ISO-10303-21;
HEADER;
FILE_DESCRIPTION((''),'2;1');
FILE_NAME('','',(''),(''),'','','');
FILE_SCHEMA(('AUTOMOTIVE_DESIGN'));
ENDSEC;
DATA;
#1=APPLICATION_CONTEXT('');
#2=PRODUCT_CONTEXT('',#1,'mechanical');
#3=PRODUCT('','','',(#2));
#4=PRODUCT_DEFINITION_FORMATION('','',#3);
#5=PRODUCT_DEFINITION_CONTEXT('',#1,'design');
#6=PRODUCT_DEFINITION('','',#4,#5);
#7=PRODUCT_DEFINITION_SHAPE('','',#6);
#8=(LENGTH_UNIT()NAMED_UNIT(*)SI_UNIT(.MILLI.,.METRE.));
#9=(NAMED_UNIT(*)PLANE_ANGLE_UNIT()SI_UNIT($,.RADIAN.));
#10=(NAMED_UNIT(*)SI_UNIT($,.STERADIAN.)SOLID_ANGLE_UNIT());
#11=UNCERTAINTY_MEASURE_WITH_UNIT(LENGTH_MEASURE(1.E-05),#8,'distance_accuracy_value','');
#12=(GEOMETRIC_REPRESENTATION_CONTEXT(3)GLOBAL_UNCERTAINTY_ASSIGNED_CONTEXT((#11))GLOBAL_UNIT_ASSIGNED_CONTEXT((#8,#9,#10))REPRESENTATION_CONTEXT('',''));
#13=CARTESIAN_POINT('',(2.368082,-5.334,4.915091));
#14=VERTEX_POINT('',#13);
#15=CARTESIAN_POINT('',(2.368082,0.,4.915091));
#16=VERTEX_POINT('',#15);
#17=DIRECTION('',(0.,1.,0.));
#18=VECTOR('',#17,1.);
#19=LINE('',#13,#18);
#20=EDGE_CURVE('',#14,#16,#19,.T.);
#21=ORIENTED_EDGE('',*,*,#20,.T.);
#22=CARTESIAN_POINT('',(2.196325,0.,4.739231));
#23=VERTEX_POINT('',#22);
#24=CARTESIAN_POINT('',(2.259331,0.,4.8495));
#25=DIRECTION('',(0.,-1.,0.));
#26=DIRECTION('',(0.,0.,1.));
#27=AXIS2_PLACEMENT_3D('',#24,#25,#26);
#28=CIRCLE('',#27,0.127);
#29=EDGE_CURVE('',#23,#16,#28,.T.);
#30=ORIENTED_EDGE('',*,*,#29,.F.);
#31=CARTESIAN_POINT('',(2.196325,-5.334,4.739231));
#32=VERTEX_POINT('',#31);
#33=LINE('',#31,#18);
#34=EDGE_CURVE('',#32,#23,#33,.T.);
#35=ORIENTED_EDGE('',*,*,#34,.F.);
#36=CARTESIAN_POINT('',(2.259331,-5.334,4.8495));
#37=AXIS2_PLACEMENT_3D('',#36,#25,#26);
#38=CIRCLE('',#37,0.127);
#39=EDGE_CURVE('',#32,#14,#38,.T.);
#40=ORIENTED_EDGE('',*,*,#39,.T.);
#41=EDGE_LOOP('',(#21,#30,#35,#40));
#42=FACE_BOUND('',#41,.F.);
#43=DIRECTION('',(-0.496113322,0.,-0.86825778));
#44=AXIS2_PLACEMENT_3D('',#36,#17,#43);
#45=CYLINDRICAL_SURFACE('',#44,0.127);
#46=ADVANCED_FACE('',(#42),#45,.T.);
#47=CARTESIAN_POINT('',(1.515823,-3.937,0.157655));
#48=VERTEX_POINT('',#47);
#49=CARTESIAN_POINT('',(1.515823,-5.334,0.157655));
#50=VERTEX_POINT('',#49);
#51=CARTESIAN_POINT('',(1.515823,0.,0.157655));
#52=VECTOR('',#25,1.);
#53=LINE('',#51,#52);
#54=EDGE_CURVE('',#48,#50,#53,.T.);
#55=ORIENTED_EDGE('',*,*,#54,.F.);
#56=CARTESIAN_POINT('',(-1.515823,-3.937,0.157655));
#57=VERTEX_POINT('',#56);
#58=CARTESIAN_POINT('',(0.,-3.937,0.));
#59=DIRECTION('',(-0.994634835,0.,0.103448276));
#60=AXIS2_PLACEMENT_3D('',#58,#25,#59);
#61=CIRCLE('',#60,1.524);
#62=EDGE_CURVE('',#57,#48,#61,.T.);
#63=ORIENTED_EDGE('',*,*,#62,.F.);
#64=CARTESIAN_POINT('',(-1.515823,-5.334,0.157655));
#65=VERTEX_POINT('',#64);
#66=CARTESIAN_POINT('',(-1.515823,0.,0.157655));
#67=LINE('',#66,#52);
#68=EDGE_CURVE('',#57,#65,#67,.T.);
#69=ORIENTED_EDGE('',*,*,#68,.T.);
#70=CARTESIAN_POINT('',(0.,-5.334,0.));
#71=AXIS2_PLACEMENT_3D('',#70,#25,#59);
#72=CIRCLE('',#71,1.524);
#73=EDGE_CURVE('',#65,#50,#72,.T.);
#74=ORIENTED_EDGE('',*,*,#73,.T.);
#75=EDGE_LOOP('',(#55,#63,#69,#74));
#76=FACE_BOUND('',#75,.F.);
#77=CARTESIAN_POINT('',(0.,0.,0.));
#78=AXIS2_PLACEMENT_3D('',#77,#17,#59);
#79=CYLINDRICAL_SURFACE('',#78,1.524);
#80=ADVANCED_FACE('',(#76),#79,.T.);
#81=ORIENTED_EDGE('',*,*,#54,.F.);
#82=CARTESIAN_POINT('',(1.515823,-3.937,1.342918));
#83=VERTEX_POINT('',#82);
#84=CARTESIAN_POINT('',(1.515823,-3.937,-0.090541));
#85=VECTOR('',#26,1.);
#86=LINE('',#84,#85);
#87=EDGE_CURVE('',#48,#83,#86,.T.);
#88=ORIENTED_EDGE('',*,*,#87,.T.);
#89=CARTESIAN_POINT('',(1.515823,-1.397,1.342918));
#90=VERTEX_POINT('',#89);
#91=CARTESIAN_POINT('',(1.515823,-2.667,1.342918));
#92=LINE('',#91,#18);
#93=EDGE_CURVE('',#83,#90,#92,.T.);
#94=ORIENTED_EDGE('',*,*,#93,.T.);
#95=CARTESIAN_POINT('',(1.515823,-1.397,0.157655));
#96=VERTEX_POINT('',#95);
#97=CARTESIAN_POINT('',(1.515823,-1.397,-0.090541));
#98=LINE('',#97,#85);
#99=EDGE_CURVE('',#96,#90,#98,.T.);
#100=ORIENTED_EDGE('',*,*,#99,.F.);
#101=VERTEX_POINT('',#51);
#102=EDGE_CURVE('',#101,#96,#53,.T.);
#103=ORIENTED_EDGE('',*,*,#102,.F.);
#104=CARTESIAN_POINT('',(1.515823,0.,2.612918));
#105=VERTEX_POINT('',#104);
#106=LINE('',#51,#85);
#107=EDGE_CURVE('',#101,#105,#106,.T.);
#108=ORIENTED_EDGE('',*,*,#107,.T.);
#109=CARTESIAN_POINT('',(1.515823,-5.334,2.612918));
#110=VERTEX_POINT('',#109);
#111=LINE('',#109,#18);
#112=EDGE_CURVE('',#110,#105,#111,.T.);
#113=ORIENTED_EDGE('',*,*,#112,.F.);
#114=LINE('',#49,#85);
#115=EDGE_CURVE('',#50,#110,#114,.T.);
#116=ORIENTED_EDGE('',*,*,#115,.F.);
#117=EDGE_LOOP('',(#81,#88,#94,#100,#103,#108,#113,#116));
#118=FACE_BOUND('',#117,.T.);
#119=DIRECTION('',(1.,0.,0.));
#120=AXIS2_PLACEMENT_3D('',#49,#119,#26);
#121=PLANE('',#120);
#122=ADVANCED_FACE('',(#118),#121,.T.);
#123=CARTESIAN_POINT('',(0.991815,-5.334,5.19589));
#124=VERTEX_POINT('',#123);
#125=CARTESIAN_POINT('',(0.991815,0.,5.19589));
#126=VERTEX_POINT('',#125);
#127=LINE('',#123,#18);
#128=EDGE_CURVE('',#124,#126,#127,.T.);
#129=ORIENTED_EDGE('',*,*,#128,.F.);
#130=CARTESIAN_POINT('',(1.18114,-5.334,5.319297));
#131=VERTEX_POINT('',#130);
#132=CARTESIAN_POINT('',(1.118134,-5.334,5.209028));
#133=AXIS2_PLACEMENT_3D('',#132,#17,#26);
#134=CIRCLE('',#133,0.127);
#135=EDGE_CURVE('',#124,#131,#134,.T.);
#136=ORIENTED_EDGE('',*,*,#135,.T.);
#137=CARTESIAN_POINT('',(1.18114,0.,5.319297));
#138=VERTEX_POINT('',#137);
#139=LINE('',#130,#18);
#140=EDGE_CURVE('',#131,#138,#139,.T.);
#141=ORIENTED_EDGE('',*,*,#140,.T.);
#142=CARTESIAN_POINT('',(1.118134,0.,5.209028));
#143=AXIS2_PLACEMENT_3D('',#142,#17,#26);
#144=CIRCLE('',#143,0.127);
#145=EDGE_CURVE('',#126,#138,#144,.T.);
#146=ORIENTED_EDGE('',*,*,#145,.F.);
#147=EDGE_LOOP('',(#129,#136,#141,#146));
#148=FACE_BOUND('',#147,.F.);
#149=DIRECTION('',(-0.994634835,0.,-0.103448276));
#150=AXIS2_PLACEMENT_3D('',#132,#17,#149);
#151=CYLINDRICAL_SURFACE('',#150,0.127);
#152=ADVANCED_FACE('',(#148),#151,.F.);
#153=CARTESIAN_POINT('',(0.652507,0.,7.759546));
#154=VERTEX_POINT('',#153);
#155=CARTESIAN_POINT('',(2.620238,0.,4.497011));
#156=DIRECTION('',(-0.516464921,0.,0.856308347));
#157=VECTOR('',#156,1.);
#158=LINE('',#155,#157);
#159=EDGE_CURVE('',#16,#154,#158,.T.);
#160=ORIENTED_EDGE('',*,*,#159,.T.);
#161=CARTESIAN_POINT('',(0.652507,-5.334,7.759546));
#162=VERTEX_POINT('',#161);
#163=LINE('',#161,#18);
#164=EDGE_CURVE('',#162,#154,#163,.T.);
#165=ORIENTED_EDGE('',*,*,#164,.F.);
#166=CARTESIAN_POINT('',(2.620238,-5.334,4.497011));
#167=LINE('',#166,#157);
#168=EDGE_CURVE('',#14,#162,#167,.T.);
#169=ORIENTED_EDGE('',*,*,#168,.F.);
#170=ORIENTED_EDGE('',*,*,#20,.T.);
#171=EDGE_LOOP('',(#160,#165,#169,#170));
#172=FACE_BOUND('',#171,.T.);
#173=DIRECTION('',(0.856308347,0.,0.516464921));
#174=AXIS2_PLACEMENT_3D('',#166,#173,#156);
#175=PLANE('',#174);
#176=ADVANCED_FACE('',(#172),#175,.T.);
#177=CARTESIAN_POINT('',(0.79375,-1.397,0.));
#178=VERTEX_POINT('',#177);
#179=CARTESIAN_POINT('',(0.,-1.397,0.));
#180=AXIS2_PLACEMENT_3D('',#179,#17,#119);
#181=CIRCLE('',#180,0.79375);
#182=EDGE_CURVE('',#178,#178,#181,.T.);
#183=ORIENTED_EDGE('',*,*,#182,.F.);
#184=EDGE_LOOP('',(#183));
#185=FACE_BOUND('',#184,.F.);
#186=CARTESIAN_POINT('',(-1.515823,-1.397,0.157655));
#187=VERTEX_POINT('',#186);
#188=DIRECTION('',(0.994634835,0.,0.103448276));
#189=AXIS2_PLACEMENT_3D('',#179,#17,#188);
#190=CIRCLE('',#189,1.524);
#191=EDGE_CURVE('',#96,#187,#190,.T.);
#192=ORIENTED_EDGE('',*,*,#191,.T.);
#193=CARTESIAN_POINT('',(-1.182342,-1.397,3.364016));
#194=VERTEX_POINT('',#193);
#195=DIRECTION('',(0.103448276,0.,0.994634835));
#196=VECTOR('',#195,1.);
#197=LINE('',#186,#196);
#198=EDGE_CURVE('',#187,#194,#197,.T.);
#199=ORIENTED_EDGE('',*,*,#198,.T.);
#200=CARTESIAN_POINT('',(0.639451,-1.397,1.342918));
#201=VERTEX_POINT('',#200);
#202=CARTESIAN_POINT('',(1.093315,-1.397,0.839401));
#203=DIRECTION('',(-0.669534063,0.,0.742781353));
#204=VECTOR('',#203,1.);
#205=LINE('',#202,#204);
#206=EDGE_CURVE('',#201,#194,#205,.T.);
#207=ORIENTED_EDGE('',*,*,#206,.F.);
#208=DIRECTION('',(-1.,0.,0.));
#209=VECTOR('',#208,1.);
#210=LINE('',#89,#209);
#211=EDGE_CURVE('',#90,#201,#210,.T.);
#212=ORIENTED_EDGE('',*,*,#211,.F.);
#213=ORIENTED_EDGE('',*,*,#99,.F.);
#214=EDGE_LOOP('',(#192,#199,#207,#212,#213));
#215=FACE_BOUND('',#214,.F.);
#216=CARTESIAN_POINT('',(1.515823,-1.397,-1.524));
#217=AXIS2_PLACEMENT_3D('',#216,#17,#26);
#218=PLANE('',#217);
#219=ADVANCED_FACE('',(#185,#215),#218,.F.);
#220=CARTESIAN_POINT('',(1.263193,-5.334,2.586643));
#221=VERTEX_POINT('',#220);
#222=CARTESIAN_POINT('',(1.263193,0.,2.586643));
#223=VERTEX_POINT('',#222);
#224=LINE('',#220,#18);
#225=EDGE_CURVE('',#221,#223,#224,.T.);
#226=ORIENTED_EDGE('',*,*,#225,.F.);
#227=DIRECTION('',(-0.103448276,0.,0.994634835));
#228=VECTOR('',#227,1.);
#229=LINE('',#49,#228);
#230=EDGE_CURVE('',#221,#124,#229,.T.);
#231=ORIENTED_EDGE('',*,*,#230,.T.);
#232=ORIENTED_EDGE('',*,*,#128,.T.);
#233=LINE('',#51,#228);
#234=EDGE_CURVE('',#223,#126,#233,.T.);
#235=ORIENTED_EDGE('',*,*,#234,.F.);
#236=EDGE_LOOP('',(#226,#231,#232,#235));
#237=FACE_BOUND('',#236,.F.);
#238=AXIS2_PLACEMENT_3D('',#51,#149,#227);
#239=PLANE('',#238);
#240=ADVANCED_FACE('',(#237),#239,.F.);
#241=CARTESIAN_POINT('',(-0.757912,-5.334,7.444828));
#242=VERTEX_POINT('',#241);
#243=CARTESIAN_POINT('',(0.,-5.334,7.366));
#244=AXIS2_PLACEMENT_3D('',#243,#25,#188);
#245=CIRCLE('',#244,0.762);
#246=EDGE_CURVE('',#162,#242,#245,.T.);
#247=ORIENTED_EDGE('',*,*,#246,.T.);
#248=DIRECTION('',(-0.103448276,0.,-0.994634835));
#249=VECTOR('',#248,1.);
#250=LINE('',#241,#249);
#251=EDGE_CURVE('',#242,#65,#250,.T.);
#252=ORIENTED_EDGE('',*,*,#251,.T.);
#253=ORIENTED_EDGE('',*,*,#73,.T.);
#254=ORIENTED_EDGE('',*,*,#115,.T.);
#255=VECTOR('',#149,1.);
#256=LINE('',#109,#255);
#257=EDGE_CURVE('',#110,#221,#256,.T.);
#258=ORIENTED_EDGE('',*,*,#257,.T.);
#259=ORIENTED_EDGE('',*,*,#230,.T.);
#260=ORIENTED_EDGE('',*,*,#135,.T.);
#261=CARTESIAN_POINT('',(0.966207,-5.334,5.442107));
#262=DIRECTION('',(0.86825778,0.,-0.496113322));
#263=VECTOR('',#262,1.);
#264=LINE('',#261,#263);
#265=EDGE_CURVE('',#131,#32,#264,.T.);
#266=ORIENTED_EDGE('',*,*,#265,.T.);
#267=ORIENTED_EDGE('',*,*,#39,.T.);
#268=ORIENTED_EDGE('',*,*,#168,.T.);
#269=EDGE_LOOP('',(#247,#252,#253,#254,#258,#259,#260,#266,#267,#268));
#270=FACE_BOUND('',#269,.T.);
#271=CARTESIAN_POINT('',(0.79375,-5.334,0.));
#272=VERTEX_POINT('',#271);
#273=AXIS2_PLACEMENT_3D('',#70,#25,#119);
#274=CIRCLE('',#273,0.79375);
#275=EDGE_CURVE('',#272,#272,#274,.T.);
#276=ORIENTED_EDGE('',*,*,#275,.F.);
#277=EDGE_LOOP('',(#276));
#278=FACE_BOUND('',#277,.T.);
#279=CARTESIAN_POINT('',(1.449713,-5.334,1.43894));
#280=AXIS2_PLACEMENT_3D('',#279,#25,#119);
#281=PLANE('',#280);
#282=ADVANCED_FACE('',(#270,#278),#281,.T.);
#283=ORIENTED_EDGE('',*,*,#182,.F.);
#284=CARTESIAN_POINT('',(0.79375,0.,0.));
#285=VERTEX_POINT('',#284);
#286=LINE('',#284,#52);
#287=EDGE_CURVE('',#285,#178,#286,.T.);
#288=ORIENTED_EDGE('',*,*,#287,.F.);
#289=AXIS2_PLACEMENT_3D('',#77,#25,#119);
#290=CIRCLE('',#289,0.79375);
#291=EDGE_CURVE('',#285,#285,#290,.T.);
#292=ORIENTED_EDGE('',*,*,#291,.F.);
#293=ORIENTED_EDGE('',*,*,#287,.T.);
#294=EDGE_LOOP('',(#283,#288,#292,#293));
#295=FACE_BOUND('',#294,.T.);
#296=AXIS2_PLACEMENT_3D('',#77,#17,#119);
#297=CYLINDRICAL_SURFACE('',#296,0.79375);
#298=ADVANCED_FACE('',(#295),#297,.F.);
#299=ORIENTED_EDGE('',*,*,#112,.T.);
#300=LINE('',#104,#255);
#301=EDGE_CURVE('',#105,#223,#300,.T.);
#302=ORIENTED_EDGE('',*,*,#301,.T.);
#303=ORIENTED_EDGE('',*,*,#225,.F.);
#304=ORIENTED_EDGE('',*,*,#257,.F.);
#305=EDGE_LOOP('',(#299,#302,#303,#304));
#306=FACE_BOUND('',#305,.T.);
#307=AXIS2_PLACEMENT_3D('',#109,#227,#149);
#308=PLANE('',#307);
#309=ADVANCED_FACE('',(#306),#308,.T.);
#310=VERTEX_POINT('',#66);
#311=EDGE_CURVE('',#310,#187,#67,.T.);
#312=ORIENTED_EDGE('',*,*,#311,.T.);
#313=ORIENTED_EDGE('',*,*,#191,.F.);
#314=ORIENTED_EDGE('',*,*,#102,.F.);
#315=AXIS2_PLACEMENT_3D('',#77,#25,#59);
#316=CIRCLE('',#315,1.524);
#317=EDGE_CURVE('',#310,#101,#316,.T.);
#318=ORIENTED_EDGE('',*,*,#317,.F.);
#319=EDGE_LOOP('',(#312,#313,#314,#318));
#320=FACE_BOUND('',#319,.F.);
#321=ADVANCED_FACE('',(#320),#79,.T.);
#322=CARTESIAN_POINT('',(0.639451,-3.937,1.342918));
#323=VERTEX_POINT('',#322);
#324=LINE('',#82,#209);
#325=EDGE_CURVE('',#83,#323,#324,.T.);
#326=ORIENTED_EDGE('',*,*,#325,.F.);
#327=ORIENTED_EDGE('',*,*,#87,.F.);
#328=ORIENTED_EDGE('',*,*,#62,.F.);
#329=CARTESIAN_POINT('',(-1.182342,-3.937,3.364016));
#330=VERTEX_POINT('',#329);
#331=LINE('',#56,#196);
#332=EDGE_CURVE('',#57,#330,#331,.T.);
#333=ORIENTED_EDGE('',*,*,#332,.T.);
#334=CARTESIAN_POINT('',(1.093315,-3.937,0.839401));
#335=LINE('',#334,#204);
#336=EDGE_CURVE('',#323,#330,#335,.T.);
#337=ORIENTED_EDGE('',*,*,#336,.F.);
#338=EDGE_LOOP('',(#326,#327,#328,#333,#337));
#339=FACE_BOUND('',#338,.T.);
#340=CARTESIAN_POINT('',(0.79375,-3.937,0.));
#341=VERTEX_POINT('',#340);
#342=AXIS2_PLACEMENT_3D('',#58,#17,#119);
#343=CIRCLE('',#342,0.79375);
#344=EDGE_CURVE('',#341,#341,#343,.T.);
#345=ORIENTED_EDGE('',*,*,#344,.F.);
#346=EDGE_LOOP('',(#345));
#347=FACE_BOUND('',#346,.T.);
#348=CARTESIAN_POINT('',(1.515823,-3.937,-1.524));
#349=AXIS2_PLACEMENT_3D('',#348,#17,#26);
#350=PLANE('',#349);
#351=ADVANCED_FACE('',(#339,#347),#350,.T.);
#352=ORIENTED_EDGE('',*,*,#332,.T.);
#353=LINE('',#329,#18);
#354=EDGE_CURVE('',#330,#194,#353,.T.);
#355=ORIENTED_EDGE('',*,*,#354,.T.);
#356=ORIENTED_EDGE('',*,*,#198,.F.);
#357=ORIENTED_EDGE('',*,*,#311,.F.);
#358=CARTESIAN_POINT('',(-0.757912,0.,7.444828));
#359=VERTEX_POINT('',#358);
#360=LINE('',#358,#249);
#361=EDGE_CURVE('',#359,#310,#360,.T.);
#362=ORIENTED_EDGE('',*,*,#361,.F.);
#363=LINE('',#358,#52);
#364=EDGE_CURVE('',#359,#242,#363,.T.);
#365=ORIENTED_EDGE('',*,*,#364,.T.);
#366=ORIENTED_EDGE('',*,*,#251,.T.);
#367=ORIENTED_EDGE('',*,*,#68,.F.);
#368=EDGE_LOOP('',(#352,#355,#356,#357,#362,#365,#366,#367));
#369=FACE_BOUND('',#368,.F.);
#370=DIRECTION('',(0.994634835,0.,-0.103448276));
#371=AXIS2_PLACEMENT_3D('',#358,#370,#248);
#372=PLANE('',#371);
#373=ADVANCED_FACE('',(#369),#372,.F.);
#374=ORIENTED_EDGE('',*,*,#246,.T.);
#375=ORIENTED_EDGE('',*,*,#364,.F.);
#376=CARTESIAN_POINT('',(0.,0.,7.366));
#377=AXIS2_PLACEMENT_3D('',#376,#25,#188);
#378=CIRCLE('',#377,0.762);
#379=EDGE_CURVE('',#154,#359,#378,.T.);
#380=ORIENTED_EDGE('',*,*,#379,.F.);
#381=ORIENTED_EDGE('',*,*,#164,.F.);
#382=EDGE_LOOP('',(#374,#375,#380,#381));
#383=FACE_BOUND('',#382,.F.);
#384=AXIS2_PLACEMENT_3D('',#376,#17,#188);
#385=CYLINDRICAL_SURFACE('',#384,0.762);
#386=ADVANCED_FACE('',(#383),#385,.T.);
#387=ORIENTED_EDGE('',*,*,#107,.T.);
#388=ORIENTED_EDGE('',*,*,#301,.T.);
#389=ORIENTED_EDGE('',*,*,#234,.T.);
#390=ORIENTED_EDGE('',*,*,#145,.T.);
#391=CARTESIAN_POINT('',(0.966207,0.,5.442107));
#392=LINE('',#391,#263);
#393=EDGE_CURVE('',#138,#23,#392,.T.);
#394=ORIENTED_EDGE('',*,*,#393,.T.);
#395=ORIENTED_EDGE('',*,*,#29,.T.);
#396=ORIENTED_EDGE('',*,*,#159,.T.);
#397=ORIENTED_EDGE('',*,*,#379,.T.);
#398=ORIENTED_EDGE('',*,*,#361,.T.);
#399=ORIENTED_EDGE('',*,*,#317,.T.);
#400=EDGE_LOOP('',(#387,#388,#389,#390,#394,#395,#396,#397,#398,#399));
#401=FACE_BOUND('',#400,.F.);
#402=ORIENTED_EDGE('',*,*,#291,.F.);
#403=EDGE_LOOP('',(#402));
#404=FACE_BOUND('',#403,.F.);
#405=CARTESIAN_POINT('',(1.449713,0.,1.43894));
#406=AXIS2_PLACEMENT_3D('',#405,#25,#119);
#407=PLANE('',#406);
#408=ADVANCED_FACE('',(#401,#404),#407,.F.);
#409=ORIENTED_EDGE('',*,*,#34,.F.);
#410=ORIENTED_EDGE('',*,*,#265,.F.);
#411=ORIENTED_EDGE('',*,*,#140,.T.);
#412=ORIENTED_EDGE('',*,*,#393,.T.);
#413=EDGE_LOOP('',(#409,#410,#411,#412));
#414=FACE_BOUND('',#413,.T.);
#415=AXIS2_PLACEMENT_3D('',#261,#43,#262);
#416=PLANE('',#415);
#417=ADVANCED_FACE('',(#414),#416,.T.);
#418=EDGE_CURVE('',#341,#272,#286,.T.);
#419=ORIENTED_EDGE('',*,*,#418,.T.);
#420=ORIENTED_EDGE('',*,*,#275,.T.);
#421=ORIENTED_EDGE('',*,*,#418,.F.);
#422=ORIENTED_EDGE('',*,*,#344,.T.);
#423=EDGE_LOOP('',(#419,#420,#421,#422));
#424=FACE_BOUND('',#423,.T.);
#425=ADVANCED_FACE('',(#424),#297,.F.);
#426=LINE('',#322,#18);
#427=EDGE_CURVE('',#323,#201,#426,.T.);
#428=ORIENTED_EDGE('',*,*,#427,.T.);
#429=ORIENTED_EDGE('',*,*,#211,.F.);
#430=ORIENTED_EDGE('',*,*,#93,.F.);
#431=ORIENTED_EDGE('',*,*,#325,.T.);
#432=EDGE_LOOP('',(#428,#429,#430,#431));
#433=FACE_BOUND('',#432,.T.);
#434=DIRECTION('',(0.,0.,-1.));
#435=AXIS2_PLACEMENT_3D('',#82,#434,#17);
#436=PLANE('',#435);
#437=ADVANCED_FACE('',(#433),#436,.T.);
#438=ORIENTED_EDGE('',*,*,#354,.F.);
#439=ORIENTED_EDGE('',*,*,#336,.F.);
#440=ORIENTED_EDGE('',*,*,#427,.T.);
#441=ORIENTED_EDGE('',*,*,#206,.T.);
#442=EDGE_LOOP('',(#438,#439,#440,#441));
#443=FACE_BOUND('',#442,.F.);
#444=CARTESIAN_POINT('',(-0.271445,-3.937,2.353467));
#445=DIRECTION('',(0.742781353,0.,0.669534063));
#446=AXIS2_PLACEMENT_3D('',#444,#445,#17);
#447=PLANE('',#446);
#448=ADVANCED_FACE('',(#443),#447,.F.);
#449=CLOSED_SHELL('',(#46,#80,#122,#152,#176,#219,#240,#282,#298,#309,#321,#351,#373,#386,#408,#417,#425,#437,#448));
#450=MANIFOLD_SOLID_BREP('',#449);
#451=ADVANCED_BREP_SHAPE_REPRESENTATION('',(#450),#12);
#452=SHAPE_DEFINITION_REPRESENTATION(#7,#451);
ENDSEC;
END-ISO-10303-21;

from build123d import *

# Parameters (mm, degrees)
F0_R          = 0.79375
F1_DEPTH      = 5.334
F3_DEPTH      = 5.334
F4_R          = 0.127
F5_W          = 2.54
F5_H          = 2.8669180299
F6_DEPTH      = 3.0408234879
F6_DEPTH_BACK = 0.8715074616
F7_SIZE       = 2.032


with BuildPart() as f1:
    # F0 (on Front) → F1 (new body)
    with BuildSketch(Plane.XZ):
        with BuildLine():
            ThreePointArc((-1.5158234879, 0.1576551724), (0, -1.524), (1.5158234879, 0.1576551724))
            Line((1.5158234879, 0.1576551724), (0.757911744, 7.4448275862))
            ThreePointArc((0.757911744, 7.4448275862), (0, 8.128), (-0.757911744, 7.4448275862))
            Line((-0.757911744, 7.4448275862), (-1.5158234879, 0.1576551724))
        make_face()
        Circle(F0_R, mode=Mode.SUBTRACT)
    extrude(amount=F1_DEPTH)

    # F2 (on face) → F3 (join, through all)
    with BuildSketch(Plane.XZ.offset(5.334)):
        Polygon((1.5158234879, 2.6129180299), (1.2631934914, 2.586642922), (1.5158234879, 0.1576551724), align=None)
        with BuildLine():
            Line((2.62023831, 4.4970114676), (0.6525069605, 7.7595462699))
            ThreePointArc((0.6525069605, 7.7595462699), (0.7225525537, 7.6079954691), (0.757911744, 7.4448275862))
            Line((0.757911744, 7.4448275862), (0.9662072397, 5.4421073456))
            Line((0.9662072397, 5.4421073456), (2.62023831, 4.4970114676))
        make_face()
    extrude(amount=-F3_DEPTH)

    # F4
    f4_edges = [f1.edges().sort_by_distance(p)[0] for p in [
        (2.620238, -2.667, 4.497011),
        (0.966207, -2.667, 5.442107),
    ]]
    fillet(f4_edges, radius=F4_R)

    # F5 (on face) → F6 (cut, two sides)
    with BuildSketch(Plane.YZ.offset(1.5158234879)) as f6_sk:
        with Locations((-2.667, -0.090540985)):
            Rectangle(F5_W, F5_H)
    extrude(amount=-F6_DEPTH, mode=Mode.SUBTRACT)
    extrude(f6_sk.sketch, amount=F6_DEPTH_BACK, mode=Mode.SUBTRACT)

    # F7
    f7_edges = [f1.edges().sort_by_distance(p)[0] for p in [
        (-1.392549, -2.667, 1.342918),
    ]]
    chamfer(f7_edges, length=F7_SIZE)


solid = f1.part
